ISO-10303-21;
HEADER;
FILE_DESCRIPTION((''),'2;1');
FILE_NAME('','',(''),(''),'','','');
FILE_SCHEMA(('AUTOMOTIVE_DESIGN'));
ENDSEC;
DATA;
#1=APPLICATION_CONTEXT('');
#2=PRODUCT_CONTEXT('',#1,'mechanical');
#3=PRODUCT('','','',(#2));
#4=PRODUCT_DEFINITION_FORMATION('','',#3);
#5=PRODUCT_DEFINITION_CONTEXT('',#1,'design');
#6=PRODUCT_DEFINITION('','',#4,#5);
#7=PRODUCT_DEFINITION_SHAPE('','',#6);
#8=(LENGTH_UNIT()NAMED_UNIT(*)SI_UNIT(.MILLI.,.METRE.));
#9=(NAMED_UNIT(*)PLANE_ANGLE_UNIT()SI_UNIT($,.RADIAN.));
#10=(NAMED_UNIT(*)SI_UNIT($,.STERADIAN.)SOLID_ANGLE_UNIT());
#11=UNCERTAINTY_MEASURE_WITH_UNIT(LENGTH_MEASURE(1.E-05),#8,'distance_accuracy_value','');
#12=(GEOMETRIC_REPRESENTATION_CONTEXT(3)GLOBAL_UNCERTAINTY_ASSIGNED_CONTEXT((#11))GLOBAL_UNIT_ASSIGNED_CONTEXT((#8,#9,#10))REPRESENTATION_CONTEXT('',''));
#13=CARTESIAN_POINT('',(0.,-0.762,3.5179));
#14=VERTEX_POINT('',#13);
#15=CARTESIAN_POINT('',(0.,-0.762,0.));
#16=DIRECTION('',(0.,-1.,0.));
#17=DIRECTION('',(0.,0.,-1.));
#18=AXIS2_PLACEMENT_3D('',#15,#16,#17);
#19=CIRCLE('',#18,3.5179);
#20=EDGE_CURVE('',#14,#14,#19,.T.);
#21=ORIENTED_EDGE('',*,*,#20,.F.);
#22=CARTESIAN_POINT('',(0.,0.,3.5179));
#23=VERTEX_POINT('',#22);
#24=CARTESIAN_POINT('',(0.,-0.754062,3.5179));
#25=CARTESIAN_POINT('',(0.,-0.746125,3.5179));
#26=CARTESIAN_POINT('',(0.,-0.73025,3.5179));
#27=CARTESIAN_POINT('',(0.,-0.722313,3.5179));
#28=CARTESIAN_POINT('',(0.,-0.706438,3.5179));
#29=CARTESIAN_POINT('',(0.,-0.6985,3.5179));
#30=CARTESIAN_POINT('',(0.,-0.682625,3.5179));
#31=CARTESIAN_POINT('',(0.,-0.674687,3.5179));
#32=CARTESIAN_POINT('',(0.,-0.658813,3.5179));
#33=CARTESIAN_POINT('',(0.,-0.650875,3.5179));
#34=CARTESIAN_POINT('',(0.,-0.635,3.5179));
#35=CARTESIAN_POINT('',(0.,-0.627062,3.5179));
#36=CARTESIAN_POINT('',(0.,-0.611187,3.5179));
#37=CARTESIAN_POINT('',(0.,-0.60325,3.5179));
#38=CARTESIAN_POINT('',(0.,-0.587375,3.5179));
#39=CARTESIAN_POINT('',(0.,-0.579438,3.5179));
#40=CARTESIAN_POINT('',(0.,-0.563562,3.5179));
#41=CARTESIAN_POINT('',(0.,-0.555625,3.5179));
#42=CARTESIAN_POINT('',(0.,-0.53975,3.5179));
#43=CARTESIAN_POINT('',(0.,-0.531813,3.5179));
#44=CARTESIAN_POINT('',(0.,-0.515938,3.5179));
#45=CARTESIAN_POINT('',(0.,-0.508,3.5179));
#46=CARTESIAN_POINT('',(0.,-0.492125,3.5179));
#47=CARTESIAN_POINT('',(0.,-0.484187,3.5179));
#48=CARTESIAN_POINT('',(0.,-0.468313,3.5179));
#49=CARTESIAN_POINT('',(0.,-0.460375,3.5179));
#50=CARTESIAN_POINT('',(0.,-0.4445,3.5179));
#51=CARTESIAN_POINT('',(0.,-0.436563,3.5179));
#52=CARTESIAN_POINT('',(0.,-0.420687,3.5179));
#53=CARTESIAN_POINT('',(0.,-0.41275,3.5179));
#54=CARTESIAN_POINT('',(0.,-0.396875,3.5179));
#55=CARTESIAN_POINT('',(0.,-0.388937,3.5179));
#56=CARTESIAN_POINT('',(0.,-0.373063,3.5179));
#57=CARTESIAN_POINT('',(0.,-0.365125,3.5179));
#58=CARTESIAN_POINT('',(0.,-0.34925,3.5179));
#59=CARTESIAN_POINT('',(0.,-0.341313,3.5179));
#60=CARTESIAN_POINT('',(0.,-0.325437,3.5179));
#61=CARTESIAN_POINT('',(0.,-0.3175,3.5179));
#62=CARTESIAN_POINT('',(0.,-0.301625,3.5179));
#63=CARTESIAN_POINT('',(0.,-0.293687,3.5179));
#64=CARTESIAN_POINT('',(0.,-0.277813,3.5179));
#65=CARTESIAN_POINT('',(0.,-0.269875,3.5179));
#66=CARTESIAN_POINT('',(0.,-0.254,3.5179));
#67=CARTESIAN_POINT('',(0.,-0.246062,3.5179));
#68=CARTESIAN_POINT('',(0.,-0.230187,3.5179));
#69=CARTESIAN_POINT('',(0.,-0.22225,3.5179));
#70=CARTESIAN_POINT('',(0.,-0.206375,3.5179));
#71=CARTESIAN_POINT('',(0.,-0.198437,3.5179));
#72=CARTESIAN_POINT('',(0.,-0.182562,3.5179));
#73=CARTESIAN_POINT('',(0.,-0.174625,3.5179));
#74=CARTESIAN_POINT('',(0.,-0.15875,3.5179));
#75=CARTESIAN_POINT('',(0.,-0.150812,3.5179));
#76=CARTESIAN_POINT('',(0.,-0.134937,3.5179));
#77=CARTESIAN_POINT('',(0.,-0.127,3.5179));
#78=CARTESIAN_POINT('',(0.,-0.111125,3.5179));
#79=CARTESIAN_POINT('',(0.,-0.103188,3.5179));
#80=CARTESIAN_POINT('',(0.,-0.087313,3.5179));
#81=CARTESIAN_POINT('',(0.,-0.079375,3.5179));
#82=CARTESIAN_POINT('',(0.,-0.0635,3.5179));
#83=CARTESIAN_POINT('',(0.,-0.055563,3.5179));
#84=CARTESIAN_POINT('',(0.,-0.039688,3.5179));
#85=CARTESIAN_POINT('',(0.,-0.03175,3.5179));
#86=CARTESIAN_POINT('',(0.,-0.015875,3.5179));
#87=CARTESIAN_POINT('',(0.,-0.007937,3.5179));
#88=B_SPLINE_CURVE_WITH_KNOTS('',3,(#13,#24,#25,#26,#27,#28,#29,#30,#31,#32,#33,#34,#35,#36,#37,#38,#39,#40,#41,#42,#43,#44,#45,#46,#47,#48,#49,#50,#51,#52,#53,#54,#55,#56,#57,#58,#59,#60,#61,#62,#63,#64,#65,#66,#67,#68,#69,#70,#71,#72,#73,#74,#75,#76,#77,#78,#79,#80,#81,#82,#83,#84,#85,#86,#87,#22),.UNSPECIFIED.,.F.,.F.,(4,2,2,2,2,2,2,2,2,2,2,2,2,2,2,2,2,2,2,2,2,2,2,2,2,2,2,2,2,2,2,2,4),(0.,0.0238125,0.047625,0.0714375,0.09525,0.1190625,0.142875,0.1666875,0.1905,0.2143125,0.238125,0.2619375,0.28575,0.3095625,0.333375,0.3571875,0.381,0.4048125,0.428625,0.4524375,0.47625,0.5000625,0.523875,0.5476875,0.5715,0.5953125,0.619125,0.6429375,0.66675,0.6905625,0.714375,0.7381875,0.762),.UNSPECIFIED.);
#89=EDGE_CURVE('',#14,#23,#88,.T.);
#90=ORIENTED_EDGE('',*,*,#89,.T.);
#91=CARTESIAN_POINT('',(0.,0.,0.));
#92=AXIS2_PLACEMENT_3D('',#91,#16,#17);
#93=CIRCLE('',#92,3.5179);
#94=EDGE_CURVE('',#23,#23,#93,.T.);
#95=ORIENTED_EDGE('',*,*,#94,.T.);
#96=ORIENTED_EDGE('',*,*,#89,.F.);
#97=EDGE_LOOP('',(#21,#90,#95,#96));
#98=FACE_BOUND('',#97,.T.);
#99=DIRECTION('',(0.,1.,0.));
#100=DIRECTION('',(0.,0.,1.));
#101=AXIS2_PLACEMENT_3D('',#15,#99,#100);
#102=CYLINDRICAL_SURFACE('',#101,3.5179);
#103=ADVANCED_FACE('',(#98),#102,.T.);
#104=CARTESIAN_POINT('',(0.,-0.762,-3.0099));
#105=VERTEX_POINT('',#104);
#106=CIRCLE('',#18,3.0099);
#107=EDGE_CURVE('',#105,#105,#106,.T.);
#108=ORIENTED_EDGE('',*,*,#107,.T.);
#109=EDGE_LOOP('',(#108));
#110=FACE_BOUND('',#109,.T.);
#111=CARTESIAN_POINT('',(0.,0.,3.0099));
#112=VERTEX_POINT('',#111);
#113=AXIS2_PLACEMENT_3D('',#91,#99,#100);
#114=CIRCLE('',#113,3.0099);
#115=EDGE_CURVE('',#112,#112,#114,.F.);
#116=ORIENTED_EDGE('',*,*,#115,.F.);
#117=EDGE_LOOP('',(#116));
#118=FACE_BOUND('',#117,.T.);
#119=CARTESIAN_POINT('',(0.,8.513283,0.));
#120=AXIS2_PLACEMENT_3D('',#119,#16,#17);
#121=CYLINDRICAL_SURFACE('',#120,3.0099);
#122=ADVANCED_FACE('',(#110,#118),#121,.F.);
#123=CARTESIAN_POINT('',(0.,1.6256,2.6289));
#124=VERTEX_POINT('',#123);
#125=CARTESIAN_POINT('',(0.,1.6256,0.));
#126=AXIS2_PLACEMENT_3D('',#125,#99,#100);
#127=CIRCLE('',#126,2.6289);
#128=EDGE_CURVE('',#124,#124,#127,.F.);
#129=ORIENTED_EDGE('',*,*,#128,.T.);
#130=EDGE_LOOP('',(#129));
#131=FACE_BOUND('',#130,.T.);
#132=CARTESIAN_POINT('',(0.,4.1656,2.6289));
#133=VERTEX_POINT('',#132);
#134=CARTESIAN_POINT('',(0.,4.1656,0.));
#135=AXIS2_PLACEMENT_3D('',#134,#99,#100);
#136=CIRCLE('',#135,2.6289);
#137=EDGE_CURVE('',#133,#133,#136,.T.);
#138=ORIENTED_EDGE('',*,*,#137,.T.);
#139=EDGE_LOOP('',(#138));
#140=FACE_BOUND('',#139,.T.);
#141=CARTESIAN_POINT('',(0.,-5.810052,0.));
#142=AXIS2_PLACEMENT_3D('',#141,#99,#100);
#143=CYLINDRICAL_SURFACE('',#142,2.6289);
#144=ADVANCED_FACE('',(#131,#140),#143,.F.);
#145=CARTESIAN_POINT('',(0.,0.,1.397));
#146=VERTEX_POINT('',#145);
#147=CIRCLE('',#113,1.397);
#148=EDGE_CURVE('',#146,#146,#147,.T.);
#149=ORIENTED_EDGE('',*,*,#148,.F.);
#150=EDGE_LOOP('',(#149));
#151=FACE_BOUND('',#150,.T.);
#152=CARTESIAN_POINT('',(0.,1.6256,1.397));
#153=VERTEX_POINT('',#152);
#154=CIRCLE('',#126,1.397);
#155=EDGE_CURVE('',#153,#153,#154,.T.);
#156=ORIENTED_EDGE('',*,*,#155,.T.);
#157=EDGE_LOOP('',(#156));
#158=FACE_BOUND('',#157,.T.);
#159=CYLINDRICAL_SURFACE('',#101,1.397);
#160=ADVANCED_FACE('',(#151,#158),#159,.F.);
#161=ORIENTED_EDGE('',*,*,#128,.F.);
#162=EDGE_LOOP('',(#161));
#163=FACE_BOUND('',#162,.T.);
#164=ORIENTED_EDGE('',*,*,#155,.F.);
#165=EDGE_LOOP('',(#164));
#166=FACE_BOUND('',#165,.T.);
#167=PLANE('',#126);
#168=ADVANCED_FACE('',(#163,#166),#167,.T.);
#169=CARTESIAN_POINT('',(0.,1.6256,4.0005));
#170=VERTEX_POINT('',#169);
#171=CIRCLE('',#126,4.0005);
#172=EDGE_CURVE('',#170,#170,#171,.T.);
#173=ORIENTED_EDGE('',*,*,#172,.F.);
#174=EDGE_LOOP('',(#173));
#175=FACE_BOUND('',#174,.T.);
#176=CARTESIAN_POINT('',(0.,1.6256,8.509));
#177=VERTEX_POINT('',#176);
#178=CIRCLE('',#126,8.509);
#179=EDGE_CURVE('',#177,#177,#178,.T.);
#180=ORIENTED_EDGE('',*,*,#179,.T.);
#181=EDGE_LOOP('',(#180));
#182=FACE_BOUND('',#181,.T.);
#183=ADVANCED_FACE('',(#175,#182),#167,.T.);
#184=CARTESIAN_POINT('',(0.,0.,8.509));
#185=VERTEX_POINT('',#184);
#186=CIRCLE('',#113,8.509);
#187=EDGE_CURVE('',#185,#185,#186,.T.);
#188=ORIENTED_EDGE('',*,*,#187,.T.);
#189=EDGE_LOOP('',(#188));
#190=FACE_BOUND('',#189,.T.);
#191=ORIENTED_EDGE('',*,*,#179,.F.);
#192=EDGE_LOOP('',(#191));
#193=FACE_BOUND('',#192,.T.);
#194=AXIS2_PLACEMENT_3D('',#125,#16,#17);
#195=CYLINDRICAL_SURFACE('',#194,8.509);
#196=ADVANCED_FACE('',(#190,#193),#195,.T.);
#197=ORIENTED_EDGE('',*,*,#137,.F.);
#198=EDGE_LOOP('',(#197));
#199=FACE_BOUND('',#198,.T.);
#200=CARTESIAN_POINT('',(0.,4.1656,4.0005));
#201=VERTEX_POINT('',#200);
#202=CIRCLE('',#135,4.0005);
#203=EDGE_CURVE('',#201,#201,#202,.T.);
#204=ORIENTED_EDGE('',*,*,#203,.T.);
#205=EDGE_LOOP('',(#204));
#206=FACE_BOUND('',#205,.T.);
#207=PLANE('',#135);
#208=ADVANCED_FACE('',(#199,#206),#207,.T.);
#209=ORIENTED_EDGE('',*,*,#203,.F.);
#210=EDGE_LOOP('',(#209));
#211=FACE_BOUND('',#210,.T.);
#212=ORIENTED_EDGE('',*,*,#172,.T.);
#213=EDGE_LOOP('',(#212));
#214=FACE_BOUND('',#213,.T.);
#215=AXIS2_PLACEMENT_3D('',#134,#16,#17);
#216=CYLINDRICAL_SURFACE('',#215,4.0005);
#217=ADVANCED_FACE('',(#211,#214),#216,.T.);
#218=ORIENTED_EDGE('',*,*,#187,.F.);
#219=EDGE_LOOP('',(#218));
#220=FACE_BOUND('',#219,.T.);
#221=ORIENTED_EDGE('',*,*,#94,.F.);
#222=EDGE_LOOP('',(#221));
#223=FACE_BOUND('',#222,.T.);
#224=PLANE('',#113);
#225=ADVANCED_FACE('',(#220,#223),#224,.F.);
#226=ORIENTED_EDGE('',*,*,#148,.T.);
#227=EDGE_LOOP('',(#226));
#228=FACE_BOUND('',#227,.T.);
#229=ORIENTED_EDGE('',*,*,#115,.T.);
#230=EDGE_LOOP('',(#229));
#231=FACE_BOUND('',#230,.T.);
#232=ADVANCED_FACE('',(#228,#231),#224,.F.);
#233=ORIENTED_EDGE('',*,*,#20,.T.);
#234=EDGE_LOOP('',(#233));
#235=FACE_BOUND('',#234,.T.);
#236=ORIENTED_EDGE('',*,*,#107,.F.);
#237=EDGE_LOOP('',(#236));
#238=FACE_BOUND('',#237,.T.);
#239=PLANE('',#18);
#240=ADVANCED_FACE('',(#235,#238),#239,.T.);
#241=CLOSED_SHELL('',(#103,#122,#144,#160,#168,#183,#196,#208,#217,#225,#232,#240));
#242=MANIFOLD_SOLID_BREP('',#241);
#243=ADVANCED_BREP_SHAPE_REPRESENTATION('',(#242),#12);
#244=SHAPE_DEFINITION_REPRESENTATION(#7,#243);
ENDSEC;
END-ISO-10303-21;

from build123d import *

# Parameters (mm, degrees)
SKETCH1_R           = 8.509
BOSS_EXTRUDE1_DEPTH = 1.6256
SKETCH2_R           = 4.0005
BOSS_EXTRUDE2_DEPTH = 2.54
SKETCH3_R           = 3.5179
BOSS_EXTRUDE3_DEPTH = 0.762
SKETCH4_R           = 3.0099
CUT_EXTRUDE1_DEPTH  = 0.762
SKETCH5_R           = 2.6289
CUT_EXTRUDE2_DEPTH  = 2.54
SKETCH6_R           = 1.397
CUT_EXTRUDE3_DEPTH  = 13.298689442


with BuildPart() as part:
    # Sketch1 → Boss-Extrude1 (new body)
    with BuildSketch(Plane(origin=(0, 0, 0), x_dir=(1, 0, 0), z_dir=(0, 1, 0))):
        with Locations(Location((0, 0, 0), (0, 0, 270))):
            Circle(SKETCH1_R)
    extrude(amount=BOSS_EXTRUDE1_DEPTH)

    # Sketch2 → Boss-Extrude2 (add)
    with BuildSketch(Plane(origin=(0, 1.6256, 0), x_dir=(1, 0, 0), z_dir=(0, 1, 0))):
        with Locations(Location((0, 0, 0), (0, 0, 270))):
            Circle(SKETCH2_R)
    extrude(amount=BOSS_EXTRUDE2_DEPTH)

    # Sketch3 → Boss-Extrude3 (add)
    with BuildSketch(Plane.XZ):
        with Locations(Location((0, 0, 0), (0, 0, 90))):
            Circle(SKETCH3_R)
    extrude(amount=BOSS_EXTRUDE3_DEPTH)

    # Sketch4 → Cut-Extrude1 (cut)
    with BuildSketch(Plane.XZ.offset(0.762)):
        with Locations(Location((0, 0, 0), (0, 0, 270))):
            Circle(SKETCH4_R)
    extrude(amount=-CUT_EXTRUDE1_DEPTH, mode=Mode.SUBTRACT)

    # Sketch5 → Cut-Extrude2 (cut)
    with BuildSketch(Plane(origin=(0, 4.1656, 0), x_dir=(1, 0, 0), z_dir=(0, 1, 0))):
        with Locations(Location((0, 0, 0), (0, 0, 270))):
            Circle(SKETCH5_R)
    extrude(amount=-CUT_EXTRUDE2_DEPTH, mode=Mode.SUBTRACT)

    # Sketch6 → Cut-Extrude3 (cut, through all)
    with BuildSketch(Plane(origin=(0, 1.6256, 0), x_dir=(1, 0, 0), z_dir=(0, 1, 0))):
        with Locations(Location((0, 0, 0), (0, 0, 270))):
            Circle(SKETCH6_R)
    extrude(amount=-CUT_EXTRUDE3_DEPTH, mode=Mode.SUBTRACT)


solid = part.part
